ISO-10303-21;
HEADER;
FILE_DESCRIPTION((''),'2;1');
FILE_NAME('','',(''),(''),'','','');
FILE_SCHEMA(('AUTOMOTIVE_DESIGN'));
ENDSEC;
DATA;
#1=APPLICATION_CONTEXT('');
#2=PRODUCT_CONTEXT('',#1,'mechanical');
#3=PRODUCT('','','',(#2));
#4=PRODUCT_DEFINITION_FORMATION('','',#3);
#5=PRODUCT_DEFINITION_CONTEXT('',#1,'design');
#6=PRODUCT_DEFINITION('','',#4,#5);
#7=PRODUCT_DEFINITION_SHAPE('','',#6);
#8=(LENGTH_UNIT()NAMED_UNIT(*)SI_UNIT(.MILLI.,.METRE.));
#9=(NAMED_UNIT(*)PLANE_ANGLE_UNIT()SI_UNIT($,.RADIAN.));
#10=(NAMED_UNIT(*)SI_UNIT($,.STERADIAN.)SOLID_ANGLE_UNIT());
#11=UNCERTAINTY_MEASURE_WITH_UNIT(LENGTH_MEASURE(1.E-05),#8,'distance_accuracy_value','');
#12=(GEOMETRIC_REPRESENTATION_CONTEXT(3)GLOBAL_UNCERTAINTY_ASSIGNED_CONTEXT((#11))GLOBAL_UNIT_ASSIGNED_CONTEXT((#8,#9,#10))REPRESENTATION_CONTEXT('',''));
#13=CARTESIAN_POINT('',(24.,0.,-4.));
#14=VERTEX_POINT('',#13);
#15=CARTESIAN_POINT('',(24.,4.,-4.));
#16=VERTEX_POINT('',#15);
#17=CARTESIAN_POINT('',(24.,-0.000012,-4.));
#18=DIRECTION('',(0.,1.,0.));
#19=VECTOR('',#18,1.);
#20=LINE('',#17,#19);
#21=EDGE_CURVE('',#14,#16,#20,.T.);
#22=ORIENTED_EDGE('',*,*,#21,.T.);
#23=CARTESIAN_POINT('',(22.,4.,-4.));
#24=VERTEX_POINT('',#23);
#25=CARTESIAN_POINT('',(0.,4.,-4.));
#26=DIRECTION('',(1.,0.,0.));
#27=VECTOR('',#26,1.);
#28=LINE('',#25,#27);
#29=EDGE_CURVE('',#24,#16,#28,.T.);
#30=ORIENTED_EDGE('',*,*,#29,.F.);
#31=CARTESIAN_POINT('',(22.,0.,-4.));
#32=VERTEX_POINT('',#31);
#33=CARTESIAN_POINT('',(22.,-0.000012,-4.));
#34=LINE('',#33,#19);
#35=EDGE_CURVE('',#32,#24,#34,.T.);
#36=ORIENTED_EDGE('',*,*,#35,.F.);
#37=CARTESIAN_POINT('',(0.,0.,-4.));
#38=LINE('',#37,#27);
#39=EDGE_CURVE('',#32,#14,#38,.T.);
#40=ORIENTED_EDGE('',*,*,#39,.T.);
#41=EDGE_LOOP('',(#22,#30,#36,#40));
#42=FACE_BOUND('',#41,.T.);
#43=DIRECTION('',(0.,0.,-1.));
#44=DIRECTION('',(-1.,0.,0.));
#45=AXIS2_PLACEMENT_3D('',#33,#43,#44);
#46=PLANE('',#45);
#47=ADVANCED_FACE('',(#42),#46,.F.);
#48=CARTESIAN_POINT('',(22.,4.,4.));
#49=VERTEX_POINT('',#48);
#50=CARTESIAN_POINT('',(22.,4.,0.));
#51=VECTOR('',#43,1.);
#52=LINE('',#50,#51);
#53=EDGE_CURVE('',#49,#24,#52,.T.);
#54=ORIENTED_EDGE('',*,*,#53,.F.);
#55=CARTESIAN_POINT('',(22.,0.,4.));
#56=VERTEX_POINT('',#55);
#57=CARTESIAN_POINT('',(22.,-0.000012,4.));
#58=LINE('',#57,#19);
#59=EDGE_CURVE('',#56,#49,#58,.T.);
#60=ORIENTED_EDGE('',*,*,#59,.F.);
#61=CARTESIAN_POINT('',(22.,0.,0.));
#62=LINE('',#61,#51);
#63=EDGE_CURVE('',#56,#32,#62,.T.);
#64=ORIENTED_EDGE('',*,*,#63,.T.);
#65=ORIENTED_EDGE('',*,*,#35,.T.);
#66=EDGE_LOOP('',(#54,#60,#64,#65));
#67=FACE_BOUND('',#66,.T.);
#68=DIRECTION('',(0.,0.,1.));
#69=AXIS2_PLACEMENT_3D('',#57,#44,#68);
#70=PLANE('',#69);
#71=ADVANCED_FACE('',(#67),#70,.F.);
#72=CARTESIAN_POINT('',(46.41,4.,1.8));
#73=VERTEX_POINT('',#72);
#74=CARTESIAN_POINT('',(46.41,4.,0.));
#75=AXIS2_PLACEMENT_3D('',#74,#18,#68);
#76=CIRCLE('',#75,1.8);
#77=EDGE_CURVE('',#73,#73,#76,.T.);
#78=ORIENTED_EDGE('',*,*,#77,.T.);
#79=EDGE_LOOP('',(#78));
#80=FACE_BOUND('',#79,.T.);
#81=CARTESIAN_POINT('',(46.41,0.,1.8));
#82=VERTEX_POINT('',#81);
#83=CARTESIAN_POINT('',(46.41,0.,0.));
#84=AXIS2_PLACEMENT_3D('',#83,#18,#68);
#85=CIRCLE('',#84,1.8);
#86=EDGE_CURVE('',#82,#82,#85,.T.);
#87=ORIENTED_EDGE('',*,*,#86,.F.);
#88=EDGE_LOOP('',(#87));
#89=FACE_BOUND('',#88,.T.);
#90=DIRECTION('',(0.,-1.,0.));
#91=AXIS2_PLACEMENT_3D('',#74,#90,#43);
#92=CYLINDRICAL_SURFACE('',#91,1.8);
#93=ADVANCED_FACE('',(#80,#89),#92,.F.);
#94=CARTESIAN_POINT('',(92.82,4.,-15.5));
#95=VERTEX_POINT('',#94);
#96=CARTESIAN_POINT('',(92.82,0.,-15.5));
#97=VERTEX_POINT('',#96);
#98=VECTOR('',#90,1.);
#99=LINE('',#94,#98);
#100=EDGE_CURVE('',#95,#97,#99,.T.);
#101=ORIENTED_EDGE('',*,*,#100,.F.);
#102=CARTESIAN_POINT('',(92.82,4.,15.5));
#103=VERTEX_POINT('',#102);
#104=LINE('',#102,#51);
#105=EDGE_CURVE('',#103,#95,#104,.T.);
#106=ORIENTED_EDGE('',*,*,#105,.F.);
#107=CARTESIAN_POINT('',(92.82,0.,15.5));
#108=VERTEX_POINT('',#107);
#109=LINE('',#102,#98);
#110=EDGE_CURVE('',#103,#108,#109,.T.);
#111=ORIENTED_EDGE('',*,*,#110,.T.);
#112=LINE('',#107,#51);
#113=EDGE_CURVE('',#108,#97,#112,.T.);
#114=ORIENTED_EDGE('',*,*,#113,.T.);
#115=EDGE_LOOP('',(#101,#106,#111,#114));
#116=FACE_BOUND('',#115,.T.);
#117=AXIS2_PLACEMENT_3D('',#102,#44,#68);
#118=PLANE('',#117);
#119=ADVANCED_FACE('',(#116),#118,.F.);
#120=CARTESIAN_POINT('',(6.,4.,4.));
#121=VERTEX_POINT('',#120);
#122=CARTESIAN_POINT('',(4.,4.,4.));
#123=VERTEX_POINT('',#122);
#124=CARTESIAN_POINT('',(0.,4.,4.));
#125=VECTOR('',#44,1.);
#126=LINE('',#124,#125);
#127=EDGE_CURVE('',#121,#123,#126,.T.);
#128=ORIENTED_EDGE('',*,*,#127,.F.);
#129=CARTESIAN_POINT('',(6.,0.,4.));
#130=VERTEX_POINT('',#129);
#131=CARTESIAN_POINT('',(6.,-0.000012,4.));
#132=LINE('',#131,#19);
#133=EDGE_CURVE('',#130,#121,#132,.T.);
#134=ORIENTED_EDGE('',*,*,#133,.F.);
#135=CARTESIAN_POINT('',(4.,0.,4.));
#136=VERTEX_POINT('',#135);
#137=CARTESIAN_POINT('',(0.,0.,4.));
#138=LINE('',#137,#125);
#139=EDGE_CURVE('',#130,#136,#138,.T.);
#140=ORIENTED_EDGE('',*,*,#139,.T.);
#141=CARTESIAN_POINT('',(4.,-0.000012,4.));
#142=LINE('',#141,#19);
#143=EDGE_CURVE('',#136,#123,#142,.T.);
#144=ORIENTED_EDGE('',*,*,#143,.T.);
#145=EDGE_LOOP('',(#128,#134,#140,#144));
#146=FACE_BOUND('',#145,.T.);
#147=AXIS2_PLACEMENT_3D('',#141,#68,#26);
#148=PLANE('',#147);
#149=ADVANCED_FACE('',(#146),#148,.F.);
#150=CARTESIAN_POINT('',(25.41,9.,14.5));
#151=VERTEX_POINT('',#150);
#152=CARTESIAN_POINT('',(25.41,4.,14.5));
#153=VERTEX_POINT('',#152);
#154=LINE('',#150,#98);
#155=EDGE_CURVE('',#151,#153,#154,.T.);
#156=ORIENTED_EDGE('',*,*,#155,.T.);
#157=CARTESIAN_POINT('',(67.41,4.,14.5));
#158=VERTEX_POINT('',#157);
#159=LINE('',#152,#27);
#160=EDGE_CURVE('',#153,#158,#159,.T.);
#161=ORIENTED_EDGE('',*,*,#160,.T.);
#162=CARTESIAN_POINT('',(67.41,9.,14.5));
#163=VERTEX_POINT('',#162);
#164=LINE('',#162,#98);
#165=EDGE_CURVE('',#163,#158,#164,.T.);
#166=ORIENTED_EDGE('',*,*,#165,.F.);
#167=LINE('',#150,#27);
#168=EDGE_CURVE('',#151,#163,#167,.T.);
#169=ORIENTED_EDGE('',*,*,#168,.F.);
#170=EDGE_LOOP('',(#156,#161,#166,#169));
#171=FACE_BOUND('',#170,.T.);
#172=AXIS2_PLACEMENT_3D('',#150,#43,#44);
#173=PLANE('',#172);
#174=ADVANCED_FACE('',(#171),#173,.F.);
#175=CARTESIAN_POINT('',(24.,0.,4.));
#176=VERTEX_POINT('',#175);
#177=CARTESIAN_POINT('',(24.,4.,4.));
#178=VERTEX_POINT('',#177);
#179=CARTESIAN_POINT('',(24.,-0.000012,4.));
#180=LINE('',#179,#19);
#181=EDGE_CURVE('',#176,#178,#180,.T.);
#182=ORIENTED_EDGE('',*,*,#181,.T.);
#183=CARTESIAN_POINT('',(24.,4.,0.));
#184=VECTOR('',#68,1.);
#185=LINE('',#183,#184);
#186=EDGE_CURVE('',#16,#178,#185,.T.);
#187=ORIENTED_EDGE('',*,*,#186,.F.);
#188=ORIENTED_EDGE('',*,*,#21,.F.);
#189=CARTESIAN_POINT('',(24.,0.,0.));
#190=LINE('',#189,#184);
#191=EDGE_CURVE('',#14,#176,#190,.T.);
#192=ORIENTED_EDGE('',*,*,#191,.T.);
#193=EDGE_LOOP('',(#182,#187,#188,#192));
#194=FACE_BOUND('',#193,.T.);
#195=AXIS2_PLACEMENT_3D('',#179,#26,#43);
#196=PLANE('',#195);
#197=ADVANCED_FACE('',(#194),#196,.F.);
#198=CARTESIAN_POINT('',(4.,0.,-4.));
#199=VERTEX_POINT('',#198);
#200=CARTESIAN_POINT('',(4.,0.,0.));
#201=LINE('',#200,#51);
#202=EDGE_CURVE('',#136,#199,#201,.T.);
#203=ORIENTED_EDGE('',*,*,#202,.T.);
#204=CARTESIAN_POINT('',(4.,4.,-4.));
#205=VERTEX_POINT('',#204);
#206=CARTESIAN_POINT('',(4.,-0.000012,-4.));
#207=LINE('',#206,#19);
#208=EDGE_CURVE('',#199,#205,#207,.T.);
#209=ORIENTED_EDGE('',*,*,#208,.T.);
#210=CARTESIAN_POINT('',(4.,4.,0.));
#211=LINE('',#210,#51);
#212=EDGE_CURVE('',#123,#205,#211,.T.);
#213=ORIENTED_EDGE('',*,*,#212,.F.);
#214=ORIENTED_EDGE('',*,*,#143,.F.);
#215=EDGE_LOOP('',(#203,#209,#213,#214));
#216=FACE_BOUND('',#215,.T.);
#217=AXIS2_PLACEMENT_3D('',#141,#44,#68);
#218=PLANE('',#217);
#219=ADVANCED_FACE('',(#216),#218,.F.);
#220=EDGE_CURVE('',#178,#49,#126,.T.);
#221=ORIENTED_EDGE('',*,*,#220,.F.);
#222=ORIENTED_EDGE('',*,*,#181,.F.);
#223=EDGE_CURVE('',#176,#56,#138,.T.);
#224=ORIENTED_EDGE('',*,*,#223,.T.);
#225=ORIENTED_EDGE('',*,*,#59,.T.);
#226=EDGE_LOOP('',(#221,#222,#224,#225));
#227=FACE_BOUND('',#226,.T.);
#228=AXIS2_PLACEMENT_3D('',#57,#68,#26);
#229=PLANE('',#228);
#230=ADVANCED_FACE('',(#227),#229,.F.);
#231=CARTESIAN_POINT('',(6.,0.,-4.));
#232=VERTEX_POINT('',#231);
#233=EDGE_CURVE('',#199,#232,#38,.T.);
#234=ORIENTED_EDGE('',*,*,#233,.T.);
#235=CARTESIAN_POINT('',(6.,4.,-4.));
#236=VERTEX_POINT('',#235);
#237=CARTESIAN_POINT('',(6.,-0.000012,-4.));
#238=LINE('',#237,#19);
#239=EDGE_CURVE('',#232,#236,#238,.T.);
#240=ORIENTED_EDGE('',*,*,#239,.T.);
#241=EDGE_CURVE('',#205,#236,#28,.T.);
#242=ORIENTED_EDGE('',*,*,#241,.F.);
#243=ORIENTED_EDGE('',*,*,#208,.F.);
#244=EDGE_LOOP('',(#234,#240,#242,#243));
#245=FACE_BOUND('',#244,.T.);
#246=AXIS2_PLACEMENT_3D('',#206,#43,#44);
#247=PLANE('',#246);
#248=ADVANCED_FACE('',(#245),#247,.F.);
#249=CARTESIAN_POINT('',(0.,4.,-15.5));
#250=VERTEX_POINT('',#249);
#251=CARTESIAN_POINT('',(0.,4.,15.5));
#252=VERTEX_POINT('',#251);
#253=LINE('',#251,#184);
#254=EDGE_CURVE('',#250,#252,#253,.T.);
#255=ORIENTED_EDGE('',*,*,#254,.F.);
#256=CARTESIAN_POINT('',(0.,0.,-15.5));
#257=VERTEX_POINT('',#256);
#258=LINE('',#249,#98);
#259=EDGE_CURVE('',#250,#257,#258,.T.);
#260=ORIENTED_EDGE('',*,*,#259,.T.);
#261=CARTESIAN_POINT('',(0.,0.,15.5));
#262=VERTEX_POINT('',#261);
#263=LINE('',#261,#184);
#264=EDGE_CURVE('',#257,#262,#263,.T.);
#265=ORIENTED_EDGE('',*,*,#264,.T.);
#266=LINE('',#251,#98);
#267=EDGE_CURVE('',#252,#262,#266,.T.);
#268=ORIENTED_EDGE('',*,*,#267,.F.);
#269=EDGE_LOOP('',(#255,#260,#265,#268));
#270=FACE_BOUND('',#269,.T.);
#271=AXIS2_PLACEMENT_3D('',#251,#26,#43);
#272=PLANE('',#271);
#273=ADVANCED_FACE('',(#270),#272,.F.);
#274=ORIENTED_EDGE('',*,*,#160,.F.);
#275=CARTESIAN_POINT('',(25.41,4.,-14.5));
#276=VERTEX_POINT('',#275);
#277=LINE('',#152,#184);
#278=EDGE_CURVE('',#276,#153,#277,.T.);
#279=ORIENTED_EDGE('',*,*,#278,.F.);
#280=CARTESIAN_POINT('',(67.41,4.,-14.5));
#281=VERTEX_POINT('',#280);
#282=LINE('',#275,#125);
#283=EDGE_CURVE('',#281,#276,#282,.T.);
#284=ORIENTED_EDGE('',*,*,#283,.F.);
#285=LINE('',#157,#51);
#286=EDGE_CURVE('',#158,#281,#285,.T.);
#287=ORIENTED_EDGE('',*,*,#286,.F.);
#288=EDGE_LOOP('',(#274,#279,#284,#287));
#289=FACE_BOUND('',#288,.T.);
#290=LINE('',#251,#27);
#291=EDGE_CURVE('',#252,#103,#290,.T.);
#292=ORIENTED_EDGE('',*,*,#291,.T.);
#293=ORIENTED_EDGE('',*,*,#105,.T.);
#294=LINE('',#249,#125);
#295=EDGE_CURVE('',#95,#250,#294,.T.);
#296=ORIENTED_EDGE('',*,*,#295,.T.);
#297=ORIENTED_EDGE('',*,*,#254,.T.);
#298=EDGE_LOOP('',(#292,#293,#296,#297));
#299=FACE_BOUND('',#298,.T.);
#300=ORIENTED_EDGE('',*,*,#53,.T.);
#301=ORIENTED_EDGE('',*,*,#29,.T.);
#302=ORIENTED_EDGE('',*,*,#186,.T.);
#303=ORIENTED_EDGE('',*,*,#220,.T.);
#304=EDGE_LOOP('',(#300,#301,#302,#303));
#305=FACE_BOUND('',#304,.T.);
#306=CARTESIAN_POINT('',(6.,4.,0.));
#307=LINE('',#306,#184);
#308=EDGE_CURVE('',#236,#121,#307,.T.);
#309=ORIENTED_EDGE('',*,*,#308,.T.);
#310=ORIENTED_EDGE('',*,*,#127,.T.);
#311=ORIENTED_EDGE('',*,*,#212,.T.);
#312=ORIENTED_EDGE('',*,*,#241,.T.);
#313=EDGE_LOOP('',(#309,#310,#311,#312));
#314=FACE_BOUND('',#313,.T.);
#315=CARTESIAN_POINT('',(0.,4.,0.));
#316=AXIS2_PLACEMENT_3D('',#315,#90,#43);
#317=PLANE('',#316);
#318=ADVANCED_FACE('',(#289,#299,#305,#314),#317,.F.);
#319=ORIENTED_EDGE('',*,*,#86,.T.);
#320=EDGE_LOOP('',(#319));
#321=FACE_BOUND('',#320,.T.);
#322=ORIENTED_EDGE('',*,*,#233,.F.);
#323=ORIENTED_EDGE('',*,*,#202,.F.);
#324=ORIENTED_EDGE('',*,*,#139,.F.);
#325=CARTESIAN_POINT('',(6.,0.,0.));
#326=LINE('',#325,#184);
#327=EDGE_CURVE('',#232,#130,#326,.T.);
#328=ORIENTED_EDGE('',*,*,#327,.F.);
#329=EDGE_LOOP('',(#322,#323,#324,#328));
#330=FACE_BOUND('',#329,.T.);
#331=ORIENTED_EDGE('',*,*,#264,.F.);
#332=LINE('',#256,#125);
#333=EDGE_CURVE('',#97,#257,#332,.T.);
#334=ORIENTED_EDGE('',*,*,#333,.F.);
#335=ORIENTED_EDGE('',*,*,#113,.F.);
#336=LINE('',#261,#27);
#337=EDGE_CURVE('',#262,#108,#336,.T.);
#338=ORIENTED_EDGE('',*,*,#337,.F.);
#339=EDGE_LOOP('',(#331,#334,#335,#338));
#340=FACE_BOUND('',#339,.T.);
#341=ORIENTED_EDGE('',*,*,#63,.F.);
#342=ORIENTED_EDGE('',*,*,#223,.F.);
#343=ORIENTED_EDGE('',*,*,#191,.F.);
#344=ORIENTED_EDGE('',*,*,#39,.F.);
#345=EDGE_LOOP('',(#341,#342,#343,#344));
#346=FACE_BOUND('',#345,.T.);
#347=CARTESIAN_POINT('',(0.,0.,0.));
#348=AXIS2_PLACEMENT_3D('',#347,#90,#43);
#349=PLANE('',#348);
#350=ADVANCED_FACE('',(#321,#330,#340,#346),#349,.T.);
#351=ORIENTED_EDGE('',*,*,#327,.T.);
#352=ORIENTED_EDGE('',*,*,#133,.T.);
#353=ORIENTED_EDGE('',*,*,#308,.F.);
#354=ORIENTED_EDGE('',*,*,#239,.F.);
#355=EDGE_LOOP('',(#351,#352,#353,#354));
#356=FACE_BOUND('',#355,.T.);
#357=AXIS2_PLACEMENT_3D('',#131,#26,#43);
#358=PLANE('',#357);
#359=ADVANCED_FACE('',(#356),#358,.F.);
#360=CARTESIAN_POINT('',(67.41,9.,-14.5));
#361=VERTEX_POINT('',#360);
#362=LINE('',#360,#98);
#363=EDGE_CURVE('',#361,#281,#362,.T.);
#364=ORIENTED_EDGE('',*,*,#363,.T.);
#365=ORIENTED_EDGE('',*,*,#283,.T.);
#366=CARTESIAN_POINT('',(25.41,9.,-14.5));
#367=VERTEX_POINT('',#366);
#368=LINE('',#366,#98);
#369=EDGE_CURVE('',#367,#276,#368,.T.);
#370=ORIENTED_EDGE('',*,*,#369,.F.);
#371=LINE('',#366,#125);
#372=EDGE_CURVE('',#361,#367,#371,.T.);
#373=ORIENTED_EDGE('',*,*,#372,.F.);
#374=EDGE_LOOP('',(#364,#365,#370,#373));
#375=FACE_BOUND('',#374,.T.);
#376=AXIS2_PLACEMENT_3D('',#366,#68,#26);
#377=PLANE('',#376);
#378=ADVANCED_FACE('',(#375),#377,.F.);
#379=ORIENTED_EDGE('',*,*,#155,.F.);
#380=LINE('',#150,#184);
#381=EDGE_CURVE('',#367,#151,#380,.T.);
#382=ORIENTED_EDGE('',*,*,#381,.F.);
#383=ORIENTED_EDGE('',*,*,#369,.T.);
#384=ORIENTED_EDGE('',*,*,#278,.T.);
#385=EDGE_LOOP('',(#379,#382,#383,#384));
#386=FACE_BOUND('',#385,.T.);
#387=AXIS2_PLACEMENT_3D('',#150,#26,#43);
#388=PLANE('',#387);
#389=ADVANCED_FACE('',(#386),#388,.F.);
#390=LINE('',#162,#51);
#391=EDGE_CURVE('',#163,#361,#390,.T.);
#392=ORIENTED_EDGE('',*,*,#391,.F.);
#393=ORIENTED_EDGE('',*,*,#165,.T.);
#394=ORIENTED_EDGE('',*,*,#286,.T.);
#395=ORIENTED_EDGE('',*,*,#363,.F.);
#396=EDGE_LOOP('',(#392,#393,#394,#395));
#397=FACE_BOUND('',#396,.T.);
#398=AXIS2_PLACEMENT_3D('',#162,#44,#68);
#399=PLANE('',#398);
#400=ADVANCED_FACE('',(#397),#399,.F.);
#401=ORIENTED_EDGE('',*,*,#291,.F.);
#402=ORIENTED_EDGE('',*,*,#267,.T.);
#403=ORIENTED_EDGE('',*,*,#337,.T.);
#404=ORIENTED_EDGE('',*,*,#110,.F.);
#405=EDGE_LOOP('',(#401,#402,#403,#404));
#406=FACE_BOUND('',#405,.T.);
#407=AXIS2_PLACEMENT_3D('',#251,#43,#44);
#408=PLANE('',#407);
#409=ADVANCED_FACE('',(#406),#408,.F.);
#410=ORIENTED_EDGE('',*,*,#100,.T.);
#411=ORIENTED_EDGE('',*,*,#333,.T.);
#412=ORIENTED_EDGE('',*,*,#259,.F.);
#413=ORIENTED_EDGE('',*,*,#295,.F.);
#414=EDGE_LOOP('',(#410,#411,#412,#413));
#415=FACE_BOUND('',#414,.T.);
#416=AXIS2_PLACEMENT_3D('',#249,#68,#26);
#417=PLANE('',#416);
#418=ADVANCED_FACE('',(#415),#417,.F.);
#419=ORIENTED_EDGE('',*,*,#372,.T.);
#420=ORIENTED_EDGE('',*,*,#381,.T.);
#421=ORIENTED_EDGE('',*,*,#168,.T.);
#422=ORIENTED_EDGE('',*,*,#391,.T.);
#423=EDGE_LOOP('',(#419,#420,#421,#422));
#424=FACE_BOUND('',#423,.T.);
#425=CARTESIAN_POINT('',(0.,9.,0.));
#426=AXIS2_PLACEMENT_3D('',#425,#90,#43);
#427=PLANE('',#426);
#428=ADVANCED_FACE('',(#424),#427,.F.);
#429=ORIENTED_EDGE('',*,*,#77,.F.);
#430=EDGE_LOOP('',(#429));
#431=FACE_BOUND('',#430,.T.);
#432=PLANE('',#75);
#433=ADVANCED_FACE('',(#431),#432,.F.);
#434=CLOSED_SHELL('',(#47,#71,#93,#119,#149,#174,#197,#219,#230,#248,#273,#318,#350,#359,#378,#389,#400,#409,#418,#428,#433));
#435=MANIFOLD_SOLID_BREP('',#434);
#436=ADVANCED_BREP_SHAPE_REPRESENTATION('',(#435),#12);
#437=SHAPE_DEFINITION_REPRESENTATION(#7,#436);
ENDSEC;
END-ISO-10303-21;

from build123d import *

# Parameters (mm, degrees)
SK_BASE_W                  = 92.82
SK_BASE_H                  = 31
BASE_PLATE_DEPTH           = 4
SK_BLOCK_W                 = 42
SK_BLOCK_H                 = 29
CAMERA_BLOCK_DEPTH         = 5
SK_PINHOLE_R               = 1.8
SLIDE_PIN_HOLE_DEPTH       = 4
CABLE_TIE_SLOTS_DEPTH      = 95.534662426
CABLE_TIE_SLOTS_DEPTH_BACK = 95.534662426
SK_TIESLOTS_W              = 2
SK_TIESLOTS_H              = 8


with BuildPart() as part:
    # Sk_Base → Base Plate (new body)
    with BuildSketch(Plane(origin=(0, 0, 0), x_dir=(1, 0, 0), z_dir=(0, 1, 0))):
        with Locations((46.41, 0)):
            Rectangle(SK_BASE_W, SK_BASE_H)
    extrude(amount=BASE_PLATE_DEPTH)

    # Sk_Block → Camera Block (add)
    with BuildSketch(Plane(origin=(0, 4, 0), x_dir=(1, 0, 0), z_dir=(0, 1, 0))):
        with Locations((46.41, 0)):
            Rectangle(SK_BLOCK_W, SK_BLOCK_H)
    extrude(amount=CAMERA_BLOCK_DEPTH)

    # Sk_PinHole → Slide Pin Hole (cut)
    with BuildSketch(Plane(origin=(0, 0, 0), x_dir=(1, 0, 0), z_dir=(0, 1, 0))):
        with Locations(Location((46.41, 0, 0), (0, 0, 270))):
            Circle(SK_PINHOLE_R)
    extrude(amount=SLIDE_PIN_HOLE_DEPTH, mode=Mode.SUBTRACT)

    # Sk_TieSlots → Cable Tie Slots (cut, two sides: drawn at the far end of the back side and taken through both)
    with BuildSketch(Plane(origin=(0, 0, 0), x_dir=(1, 0, 0), z_dir=(0, 1, 0)).offset(-CABLE_TIE_SLOTS_DEPTH_BACK)):
        with Locations((5, 0)):
            Rectangle(SK_TIESLOTS_W, SK_TIESLOTS_H)
        with Locations((23, 0)):
            Rectangle(SK_TIESLOTS_W, SK_TIESLOTS_H)
    extrude(amount=CABLE_TIE_SLOTS_DEPTH + CABLE_TIE_SLOTS_DEPTH_BACK, mode=Mode.SUBTRACT)


solid = part.part
